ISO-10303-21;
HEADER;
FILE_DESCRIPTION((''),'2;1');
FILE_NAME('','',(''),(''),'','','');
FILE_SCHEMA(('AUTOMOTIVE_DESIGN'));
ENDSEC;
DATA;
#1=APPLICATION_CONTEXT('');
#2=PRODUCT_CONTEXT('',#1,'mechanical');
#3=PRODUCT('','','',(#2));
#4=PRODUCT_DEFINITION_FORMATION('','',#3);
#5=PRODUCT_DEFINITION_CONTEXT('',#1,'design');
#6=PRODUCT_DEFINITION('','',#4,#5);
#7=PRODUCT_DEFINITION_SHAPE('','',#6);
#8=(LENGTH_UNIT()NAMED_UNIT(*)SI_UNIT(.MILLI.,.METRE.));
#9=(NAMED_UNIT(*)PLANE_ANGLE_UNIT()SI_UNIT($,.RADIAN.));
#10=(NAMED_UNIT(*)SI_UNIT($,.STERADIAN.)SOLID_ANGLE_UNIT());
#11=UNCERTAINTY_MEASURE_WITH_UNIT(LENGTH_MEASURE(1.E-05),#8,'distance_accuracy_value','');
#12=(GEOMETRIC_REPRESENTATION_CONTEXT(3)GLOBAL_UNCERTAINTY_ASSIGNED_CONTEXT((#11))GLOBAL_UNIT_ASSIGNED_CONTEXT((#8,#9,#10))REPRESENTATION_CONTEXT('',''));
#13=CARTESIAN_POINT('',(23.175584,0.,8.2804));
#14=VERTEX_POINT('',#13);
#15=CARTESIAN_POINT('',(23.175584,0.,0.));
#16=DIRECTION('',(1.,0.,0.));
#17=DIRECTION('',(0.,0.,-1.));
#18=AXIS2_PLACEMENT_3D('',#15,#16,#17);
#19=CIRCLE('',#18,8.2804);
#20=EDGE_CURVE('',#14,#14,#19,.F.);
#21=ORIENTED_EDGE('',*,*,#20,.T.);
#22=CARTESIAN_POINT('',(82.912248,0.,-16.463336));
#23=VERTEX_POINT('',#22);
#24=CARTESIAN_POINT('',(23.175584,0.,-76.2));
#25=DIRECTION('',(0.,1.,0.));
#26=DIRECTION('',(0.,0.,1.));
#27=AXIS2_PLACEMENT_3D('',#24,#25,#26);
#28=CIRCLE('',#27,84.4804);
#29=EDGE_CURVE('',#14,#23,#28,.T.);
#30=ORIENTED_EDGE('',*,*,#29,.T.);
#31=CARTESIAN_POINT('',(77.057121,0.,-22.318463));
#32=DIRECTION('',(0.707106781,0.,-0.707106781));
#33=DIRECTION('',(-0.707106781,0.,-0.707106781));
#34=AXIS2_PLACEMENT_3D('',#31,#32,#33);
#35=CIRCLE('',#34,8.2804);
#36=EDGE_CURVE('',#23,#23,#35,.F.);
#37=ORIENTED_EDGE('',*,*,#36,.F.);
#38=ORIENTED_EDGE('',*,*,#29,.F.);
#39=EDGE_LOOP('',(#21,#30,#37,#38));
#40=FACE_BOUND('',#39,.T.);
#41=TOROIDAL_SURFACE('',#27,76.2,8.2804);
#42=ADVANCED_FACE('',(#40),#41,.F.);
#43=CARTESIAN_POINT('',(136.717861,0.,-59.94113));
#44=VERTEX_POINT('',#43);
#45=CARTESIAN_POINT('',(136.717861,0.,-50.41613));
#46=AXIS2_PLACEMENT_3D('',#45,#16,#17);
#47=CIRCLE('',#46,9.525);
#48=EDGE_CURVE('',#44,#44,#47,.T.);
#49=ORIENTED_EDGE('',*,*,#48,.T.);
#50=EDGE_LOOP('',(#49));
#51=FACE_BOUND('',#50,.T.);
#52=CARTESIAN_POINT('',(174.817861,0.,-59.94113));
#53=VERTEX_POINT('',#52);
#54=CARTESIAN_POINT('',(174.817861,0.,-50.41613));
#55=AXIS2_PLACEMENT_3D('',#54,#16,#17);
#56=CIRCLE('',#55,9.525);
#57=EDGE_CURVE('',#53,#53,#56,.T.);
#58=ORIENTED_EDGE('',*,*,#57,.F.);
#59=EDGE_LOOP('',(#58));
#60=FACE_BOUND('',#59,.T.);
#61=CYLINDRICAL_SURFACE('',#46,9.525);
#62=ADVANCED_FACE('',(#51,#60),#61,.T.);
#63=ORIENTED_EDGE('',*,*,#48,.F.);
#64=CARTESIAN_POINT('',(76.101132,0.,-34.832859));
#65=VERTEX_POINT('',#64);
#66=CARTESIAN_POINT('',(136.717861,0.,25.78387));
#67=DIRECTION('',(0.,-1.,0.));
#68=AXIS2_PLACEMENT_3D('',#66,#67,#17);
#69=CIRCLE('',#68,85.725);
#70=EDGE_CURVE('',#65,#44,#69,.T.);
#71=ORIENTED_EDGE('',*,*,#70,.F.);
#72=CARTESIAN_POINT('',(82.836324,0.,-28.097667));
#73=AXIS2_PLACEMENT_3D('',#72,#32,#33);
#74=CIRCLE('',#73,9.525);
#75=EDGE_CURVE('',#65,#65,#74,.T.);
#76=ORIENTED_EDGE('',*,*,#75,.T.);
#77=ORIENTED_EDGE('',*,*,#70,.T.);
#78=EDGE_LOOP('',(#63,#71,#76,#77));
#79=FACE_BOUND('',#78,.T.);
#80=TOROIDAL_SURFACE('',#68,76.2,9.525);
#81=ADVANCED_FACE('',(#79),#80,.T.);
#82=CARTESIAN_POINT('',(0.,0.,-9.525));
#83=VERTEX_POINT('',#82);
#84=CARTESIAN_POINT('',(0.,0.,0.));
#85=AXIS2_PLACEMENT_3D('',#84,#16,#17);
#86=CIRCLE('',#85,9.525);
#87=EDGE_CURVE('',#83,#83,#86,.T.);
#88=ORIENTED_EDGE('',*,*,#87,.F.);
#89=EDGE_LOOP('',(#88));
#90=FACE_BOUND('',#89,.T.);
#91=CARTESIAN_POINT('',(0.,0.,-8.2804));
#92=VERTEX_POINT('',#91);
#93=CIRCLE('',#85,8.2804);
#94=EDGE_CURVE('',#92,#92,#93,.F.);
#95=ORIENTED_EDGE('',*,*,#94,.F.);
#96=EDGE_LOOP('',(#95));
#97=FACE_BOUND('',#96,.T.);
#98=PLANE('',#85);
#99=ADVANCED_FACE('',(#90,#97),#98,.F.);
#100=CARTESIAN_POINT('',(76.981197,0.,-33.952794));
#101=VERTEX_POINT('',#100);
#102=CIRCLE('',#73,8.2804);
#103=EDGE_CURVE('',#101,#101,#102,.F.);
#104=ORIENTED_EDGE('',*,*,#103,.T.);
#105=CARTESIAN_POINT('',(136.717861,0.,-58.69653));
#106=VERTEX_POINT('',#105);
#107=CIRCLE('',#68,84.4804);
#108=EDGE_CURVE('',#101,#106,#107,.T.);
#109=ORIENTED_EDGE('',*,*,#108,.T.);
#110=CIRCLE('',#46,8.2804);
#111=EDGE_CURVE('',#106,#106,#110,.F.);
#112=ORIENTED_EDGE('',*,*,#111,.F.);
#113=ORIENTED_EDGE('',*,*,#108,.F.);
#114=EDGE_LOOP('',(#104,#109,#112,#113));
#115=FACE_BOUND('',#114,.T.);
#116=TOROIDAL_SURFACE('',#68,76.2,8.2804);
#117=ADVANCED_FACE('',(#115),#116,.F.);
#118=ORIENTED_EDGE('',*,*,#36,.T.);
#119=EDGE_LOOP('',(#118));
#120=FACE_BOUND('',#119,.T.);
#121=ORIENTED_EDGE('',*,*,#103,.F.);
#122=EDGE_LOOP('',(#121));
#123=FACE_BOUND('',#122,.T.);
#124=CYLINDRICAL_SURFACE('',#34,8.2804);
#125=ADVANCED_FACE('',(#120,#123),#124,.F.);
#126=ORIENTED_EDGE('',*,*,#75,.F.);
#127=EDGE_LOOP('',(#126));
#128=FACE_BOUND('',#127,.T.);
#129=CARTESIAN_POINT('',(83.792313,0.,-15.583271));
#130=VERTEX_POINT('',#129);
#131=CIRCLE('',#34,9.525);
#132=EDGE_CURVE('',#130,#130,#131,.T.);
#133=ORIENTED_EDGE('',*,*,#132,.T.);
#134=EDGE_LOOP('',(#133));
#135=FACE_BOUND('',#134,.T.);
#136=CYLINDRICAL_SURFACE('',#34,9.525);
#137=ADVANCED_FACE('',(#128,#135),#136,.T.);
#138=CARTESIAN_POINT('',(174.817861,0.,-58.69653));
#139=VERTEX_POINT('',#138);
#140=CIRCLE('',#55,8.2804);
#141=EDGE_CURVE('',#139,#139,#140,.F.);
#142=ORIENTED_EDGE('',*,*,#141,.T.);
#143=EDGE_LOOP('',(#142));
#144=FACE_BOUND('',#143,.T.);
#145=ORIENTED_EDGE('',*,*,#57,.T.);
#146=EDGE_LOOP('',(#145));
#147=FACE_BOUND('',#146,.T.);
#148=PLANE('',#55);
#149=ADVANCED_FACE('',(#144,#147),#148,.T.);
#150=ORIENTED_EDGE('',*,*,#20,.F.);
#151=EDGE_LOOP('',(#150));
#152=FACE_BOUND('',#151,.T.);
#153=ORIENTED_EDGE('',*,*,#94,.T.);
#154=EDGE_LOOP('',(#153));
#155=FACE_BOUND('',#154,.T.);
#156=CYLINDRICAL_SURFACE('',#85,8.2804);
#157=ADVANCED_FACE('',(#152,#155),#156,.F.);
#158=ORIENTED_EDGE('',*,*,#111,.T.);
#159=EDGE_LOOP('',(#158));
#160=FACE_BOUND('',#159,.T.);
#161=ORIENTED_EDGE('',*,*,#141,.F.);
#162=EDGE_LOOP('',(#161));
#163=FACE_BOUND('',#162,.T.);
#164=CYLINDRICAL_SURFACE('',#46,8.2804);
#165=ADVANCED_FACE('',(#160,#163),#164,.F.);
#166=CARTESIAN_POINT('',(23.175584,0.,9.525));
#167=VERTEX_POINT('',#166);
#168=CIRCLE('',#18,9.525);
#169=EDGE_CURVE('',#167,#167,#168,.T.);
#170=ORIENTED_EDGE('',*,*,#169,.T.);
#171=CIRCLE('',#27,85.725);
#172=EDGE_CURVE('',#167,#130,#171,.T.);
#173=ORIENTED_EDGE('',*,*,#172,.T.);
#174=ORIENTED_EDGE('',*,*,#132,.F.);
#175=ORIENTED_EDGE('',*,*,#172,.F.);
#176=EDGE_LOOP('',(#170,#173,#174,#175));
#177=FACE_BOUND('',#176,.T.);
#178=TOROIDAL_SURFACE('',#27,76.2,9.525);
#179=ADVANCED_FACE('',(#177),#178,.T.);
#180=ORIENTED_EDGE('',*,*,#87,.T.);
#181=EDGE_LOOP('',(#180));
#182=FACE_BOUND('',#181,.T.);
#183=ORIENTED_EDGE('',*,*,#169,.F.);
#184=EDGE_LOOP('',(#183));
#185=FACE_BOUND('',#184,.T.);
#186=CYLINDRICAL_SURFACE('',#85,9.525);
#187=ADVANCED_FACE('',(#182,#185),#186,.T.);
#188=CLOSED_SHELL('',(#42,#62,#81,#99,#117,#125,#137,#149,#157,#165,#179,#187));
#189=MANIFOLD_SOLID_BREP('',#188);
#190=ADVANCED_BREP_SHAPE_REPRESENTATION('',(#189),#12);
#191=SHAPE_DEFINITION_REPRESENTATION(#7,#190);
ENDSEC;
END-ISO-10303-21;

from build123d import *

# Parameters (mm, degrees)
SKETCH2_R   = 9.525
SKETCH2_R_2 = 8.2804


with BuildPart() as part:
    # Sweep1: sweep along a path in Sketch1
    with BuildLine(Plane(origin=(0, 0, 0), x_dir=(1, 0, 0), z_dir=(0, 1, 0))) as sweep1_path:
        Line((0, 0), (23.175584151, 0))
        ThreePointArc((23.175584151, 0), (52.336061697, 5.800379623), (77.057120878, 22.318463274))
        Line((77.057120878, 22.318463274), (82.83632413, 28.097666526))
        ThreePointArc((82.83632413, 28.097666526), (107.557383311, 44.615750177), (136.717860857, 50.4161298))
        Line((136.717860857, 50.4161298), (174.817860857, 50.4161298))
    # Sketch2 → Sweep1 (sweep)
    with BuildSketch(Plane(origin=(0, 0, 0), x_dir=(0, 0, -1), z_dir=(1, 0, 0))):
        Circle(SKETCH2_R)
        Circle(SKETCH2_R_2, mode=Mode.SUBTRACT)
    sweep(path=sweep1_path.line)


solid = part.part
